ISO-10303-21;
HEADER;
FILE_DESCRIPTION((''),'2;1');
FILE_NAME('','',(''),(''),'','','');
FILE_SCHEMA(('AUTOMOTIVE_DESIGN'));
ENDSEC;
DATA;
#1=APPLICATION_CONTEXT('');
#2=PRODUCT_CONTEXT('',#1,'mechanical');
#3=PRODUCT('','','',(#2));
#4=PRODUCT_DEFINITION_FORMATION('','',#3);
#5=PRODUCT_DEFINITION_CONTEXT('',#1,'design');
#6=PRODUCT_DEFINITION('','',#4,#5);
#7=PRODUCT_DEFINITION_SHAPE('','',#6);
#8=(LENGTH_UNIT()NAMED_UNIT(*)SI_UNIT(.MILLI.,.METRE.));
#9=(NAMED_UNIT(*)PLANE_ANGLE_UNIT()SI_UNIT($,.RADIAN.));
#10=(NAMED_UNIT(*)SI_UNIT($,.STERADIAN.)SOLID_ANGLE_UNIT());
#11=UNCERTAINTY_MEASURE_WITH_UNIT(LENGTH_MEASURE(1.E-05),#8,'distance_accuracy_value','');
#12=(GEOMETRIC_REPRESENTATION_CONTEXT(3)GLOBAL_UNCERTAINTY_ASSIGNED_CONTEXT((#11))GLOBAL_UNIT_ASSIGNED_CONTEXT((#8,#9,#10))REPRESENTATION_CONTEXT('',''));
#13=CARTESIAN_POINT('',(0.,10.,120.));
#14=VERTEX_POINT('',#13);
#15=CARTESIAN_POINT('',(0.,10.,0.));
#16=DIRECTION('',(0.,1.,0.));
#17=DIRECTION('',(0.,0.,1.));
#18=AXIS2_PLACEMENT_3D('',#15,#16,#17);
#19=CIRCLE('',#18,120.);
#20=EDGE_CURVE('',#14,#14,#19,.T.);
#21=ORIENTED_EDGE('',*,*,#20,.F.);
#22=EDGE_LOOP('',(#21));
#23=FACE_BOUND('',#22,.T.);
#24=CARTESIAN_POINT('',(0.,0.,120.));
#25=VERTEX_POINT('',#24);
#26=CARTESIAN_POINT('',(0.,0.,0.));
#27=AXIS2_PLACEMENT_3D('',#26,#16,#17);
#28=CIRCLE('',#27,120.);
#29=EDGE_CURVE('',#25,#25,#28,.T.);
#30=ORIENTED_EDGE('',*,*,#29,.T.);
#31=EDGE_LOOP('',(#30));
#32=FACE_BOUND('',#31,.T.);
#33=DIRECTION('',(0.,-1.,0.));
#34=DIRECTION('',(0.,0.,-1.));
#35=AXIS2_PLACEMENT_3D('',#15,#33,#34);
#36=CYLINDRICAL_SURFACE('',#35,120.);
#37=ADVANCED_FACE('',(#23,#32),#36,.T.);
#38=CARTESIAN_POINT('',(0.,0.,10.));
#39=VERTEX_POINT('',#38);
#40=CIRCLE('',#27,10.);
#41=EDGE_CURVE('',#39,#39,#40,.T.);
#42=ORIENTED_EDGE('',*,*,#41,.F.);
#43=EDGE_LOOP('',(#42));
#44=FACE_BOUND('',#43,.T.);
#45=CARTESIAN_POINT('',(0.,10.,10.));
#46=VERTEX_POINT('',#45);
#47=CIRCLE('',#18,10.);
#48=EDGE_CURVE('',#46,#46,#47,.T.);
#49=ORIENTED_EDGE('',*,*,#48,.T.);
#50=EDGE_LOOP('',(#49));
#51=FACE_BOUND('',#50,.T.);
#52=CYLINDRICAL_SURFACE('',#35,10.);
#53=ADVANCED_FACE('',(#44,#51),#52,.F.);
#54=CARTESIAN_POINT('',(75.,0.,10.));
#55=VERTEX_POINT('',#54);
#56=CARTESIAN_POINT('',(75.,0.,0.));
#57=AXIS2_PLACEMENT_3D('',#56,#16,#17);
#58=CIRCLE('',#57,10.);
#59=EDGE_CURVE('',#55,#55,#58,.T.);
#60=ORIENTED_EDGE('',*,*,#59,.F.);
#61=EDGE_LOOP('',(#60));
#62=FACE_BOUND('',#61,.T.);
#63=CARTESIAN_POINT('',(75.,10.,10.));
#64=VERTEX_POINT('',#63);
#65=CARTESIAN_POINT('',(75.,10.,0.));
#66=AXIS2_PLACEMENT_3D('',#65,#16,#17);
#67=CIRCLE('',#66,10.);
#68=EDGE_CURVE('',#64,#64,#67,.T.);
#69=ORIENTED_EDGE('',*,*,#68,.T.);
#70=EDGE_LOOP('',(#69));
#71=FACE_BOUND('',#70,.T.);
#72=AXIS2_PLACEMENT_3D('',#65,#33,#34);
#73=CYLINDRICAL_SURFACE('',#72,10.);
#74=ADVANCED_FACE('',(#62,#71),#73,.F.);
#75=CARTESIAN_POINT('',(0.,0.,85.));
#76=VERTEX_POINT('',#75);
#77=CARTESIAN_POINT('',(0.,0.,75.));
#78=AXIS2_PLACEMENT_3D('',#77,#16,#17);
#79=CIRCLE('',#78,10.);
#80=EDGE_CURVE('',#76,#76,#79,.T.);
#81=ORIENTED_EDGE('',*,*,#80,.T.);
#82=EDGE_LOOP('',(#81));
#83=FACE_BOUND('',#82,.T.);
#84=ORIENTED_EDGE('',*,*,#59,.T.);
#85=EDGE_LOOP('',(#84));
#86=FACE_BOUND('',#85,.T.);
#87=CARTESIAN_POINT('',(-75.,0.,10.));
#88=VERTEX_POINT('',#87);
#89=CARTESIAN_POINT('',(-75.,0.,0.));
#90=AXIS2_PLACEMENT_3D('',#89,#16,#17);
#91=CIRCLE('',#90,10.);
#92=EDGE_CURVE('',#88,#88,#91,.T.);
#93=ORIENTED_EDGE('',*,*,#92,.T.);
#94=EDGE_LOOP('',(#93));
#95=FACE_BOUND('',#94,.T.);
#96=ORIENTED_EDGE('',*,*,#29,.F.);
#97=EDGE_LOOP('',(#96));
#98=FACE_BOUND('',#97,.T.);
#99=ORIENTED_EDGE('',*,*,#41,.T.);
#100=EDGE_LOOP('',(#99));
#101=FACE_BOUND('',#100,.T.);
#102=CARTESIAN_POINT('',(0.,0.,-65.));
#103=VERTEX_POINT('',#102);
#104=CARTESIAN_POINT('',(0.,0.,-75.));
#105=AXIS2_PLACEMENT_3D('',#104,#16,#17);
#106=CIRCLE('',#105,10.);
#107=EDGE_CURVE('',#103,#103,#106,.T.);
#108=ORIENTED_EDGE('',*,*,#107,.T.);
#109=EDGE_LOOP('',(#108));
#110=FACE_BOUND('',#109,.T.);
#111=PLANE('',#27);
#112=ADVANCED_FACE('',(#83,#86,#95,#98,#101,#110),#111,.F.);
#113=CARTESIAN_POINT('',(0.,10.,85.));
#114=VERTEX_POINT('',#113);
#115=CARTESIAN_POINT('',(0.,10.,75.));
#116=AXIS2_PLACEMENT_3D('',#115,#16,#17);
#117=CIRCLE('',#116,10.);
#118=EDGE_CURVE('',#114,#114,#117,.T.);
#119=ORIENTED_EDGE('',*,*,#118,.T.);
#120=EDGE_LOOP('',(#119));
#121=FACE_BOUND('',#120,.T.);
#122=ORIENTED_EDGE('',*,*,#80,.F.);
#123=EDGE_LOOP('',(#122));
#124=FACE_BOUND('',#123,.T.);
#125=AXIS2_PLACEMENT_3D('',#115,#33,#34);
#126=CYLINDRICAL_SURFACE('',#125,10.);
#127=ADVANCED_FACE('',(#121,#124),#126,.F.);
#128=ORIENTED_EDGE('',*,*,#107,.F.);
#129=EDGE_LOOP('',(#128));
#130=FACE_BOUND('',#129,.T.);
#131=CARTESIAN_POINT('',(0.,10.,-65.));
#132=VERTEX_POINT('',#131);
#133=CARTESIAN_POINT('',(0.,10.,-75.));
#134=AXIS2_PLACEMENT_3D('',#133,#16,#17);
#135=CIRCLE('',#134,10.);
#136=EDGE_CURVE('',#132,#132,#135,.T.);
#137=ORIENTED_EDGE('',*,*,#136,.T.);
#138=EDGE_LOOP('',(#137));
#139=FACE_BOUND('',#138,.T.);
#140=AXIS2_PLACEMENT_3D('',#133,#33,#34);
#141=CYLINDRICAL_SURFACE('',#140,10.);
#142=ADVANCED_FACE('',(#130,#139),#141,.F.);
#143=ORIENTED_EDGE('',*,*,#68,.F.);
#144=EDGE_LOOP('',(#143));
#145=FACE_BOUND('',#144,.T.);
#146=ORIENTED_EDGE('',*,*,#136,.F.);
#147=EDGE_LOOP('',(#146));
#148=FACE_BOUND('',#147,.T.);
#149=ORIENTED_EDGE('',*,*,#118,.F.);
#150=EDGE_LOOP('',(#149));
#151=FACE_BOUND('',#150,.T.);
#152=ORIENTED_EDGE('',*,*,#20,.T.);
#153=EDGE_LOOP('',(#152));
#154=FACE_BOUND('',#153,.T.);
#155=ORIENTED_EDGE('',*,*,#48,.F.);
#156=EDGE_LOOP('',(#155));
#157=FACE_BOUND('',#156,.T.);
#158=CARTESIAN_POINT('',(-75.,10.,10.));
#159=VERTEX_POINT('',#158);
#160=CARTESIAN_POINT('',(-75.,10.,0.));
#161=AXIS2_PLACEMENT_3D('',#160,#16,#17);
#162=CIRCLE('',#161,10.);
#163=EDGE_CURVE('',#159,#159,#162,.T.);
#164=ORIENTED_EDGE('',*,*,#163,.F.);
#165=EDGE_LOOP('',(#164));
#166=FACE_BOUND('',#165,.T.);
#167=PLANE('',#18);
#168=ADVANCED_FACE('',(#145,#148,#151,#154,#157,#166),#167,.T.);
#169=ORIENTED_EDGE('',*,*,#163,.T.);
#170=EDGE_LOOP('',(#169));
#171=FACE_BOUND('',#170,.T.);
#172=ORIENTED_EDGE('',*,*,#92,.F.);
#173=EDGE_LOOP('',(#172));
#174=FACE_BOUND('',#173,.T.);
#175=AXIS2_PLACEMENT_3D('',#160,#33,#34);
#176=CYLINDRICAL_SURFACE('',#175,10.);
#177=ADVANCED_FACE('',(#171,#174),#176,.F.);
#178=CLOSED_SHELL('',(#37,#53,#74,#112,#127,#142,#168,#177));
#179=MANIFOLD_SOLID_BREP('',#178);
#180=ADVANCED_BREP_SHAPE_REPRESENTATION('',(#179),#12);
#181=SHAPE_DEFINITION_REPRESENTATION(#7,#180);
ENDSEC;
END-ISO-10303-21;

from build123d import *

# Parameters (mm, degrees)
SKETCH1_R           = 120
SKETCH1_R_2         = 10
BOSS_EXTRUDE1_DEPTH = 10


with BuildPart() as part:
    # Sketch1 → Boss-Extrude1 (new body)
    with BuildSketch(Plane(origin=(0, 0, 0), x_dir=(1, 0, 0), z_dir=(0, 1, 0))):
        with Locations(Location((0, 0, 0), (0, 0, 270))):
            Circle(SKETCH1_R)
        with Locations(Location((0, 0, 0), (0, 0, 270))):
            Circle(SKETCH1_R_2, mode=Mode.SUBTRACT)
        with Locations(Location((75, 0, 0), (0, 0, 270))):
            Circle(SKETCH1_R_2, mode=Mode.SUBTRACT)
        with Locations(Location((0, -75, 0), (0, 0, 270))):
            Circle(SKETCH1_R_2, mode=Mode.SUBTRACT)
        with Locations(Location((-75, 0, 0), (0, 0, 270))):
            Circle(SKETCH1_R_2, mode=Mode.SUBTRACT)
        with Locations(Location((0, 75, 0), (0, 0, 270))):
            Circle(SKETCH1_R_2, mode=Mode.SUBTRACT)
    extrude(amount=BOSS_EXTRUDE1_DEPTH)


solid = part.part
